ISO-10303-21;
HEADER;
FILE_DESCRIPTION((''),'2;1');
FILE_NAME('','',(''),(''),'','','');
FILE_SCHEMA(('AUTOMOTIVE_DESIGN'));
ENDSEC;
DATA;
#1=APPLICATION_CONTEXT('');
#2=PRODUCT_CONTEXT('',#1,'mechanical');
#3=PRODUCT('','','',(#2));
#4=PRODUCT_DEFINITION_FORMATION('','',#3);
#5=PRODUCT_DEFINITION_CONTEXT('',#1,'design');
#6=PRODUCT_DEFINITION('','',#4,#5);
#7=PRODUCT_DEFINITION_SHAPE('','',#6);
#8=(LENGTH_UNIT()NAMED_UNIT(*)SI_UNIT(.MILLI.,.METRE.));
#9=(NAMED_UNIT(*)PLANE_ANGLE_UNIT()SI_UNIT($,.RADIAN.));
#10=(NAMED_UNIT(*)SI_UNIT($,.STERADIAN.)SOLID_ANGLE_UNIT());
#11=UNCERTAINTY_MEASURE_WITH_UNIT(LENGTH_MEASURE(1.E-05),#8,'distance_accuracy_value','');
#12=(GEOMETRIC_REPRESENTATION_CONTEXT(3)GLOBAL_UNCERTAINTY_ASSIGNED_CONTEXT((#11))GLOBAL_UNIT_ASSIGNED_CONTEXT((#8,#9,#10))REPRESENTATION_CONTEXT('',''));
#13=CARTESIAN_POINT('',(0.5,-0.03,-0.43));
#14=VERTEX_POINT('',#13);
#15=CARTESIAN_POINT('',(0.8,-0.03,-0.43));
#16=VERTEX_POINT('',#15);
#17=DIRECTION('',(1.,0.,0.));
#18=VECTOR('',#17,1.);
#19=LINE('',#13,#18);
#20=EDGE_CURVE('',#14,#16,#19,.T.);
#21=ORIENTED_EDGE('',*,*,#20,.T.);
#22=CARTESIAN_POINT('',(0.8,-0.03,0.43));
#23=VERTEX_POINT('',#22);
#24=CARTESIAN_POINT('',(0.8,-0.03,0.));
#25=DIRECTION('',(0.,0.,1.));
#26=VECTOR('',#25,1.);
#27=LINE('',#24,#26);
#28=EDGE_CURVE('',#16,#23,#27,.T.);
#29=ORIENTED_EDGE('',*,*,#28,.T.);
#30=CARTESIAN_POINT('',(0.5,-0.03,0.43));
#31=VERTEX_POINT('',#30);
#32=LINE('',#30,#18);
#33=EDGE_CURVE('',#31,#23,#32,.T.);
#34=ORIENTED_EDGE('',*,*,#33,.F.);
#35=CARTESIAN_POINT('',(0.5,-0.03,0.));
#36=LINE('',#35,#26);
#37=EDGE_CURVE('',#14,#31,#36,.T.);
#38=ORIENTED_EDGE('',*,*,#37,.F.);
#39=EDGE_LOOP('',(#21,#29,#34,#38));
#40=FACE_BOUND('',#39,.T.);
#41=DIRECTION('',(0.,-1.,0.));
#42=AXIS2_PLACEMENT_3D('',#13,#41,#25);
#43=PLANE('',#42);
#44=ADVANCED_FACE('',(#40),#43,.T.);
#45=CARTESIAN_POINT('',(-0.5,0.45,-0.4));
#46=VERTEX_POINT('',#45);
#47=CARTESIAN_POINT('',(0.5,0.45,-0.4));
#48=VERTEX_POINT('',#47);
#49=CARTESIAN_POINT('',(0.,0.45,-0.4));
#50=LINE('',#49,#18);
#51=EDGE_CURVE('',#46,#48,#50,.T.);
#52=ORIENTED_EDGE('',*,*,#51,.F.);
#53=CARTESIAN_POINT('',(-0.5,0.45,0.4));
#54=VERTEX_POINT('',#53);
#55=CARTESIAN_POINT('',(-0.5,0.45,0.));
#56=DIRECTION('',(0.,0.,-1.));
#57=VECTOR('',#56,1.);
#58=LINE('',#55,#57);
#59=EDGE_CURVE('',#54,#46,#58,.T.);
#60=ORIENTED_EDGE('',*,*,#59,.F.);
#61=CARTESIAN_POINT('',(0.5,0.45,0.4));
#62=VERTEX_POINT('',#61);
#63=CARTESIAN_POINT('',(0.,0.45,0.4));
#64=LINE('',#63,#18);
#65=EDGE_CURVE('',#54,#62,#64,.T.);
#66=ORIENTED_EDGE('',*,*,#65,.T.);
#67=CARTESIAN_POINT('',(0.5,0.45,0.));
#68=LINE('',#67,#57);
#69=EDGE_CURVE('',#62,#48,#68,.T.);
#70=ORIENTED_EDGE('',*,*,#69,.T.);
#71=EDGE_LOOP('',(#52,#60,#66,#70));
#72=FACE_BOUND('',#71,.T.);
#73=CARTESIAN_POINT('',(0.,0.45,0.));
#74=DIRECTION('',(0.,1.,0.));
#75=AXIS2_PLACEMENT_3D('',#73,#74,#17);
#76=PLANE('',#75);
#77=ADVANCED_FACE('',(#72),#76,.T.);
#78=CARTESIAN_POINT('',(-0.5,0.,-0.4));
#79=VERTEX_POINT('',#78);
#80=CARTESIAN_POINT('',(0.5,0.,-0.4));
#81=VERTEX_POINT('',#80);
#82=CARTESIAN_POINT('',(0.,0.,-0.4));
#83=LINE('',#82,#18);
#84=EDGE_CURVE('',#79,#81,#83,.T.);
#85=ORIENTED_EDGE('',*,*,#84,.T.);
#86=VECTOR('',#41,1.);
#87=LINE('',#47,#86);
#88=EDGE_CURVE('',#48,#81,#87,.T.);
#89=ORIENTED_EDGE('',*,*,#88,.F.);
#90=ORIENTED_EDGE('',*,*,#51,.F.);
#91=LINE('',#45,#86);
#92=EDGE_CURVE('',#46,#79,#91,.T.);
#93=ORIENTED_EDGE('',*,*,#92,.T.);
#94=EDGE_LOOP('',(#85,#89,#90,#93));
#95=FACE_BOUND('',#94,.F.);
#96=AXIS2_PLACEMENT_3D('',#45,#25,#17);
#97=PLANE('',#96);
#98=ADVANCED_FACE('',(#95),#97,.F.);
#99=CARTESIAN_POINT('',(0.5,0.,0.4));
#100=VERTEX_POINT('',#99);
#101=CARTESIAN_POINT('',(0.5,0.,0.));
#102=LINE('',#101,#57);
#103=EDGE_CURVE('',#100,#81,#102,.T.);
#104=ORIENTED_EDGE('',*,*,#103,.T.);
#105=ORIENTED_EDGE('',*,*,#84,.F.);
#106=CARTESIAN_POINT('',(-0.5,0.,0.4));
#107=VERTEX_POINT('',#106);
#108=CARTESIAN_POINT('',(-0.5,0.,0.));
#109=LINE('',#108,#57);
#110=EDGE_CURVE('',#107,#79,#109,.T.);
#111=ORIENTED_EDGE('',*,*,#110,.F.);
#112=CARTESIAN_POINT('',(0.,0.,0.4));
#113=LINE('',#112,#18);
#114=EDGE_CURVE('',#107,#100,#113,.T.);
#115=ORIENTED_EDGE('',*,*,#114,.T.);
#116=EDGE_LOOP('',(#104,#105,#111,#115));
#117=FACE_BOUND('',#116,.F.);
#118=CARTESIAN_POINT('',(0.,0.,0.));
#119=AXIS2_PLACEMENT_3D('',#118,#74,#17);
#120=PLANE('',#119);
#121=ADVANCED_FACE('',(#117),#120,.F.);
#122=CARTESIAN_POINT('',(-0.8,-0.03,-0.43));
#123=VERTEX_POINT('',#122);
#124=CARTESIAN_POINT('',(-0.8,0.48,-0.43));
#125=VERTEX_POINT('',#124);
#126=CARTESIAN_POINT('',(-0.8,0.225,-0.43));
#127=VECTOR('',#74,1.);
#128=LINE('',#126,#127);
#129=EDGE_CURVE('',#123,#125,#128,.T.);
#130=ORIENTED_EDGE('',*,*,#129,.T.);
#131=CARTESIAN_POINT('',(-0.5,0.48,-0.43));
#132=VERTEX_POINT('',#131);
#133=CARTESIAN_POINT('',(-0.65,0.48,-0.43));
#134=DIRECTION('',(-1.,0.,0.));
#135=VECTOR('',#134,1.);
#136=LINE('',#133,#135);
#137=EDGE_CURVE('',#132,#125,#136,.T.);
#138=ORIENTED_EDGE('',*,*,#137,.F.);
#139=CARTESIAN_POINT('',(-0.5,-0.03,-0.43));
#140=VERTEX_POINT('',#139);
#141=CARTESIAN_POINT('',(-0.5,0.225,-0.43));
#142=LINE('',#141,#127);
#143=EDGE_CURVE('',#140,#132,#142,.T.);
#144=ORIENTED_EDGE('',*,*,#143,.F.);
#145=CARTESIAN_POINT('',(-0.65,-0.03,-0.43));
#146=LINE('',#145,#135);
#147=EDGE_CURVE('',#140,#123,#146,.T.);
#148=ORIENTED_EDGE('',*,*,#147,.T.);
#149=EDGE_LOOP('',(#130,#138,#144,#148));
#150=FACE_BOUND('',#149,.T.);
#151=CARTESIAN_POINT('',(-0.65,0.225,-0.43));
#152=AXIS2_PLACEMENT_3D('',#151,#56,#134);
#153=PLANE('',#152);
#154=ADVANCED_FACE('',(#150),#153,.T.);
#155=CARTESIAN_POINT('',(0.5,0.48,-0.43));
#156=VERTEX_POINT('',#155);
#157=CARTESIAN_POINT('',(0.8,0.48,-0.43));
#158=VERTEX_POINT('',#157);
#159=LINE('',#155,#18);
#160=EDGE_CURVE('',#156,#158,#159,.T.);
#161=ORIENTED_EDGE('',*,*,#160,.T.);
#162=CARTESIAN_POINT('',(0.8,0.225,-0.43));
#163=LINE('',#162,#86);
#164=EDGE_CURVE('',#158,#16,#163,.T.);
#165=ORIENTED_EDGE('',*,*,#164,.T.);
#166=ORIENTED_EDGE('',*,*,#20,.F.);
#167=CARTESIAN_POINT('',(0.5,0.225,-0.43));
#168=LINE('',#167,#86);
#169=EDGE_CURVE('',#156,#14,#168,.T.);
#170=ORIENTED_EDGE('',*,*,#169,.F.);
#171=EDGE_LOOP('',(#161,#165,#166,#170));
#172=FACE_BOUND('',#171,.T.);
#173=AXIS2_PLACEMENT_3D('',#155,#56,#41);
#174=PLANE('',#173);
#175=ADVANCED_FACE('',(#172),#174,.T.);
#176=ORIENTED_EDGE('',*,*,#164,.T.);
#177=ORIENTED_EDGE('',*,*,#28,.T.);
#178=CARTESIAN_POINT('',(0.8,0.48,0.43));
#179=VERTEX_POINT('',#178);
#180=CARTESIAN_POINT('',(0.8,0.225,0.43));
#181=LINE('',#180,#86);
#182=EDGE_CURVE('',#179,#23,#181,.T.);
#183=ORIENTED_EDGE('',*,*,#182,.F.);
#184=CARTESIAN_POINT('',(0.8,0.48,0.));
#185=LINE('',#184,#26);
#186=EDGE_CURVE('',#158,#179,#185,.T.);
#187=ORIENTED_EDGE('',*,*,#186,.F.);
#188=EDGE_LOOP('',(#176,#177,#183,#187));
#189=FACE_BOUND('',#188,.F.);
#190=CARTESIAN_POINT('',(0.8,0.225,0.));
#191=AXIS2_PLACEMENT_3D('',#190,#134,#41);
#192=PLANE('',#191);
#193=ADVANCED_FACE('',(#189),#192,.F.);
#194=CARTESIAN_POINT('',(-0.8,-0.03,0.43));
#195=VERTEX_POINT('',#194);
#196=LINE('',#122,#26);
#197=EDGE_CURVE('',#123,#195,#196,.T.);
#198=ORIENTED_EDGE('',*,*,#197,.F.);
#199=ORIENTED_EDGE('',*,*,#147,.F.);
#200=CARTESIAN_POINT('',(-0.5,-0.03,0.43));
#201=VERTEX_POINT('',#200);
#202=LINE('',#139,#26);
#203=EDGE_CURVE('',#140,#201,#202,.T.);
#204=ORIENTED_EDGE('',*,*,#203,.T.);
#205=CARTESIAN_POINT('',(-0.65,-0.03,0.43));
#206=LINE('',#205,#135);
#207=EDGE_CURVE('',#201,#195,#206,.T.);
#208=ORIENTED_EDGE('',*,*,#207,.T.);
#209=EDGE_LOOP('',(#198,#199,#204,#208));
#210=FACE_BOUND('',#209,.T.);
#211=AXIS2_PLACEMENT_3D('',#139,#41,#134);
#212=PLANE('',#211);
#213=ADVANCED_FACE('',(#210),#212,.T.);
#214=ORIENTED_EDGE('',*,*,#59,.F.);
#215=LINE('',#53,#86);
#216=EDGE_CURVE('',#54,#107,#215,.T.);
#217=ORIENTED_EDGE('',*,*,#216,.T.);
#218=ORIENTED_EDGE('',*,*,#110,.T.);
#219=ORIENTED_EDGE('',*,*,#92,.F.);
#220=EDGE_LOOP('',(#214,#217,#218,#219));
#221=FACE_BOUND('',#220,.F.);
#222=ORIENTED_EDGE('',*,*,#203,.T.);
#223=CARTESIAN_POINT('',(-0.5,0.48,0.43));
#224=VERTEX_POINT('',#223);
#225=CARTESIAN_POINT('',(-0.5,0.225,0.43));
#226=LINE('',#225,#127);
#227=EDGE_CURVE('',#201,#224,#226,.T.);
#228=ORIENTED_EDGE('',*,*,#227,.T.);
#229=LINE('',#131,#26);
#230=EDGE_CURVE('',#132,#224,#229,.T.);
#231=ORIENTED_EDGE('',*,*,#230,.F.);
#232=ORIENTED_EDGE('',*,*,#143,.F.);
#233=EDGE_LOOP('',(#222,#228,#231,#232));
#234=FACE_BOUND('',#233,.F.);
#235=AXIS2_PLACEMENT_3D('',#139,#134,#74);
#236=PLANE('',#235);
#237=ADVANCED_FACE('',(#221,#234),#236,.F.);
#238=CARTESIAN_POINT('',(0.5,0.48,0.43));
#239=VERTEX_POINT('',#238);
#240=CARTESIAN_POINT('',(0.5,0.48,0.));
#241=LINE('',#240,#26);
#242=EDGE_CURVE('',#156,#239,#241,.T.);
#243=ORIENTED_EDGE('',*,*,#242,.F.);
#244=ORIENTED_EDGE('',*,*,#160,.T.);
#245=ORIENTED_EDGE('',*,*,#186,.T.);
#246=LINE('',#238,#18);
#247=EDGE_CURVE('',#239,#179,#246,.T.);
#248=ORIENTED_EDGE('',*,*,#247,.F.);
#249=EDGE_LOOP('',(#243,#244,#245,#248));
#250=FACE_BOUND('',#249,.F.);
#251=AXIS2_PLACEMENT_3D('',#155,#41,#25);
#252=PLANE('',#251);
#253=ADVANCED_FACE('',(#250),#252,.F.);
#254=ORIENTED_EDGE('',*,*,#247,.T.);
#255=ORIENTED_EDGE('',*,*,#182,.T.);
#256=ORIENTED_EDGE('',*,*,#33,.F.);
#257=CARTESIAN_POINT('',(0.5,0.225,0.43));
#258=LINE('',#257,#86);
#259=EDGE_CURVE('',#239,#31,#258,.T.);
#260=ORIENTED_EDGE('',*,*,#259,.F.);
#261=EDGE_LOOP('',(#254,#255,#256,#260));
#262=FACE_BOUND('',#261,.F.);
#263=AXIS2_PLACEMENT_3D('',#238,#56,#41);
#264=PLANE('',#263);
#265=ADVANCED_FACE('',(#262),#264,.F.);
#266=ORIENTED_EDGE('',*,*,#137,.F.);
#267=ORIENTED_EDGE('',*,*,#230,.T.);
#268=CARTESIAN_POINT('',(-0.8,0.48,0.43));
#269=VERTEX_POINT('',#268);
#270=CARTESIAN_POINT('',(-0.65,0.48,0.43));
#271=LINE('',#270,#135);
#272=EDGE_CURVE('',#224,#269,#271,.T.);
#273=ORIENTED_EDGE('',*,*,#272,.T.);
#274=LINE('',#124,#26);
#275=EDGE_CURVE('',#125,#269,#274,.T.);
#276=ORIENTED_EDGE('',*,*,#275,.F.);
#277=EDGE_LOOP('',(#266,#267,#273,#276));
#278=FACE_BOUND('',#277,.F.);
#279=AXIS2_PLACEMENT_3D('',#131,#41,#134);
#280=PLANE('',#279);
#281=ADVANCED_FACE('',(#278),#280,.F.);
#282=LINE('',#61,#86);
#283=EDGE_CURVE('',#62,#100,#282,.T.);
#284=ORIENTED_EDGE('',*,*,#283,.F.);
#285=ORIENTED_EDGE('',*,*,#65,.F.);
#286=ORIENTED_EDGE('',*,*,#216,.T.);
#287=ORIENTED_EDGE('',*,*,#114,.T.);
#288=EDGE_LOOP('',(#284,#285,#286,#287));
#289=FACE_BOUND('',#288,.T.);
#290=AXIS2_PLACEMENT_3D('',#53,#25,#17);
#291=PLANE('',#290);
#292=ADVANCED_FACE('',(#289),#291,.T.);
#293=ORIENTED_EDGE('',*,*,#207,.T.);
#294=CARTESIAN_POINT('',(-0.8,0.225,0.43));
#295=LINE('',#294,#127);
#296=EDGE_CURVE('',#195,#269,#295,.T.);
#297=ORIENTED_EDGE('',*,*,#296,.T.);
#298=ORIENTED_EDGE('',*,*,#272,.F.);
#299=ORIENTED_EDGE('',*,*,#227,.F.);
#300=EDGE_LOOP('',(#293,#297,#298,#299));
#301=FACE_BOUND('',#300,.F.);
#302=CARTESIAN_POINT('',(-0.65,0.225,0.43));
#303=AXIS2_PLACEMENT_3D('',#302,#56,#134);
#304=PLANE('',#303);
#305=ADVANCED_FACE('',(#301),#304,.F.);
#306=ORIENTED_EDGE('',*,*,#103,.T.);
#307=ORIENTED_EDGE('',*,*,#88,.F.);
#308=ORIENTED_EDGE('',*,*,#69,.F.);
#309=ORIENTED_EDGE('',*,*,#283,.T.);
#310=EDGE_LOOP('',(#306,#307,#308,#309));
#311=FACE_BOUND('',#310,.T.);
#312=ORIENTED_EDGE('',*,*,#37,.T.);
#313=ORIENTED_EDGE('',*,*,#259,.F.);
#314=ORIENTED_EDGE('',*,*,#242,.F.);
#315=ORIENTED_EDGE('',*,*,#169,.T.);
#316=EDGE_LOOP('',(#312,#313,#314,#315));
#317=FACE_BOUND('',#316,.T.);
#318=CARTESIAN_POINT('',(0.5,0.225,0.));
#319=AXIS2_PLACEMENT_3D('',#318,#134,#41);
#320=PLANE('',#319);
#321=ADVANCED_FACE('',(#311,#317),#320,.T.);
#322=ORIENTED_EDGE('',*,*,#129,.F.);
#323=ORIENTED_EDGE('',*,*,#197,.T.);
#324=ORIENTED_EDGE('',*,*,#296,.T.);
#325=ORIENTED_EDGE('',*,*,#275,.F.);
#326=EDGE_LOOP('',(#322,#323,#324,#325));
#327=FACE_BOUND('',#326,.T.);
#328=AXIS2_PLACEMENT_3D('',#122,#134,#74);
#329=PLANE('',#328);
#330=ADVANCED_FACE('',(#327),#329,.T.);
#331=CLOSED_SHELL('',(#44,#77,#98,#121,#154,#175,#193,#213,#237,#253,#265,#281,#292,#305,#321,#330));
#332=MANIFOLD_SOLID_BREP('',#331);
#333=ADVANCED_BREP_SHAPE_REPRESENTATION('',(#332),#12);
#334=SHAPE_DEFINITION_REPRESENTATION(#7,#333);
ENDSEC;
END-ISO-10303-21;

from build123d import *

# Parameters (mm, degrees)
SKETCH1_W           = 1
SKETCH1_H           = 0.8
BOSS_EXTRUDE1_DEPTH = 0.45
SKETCH2_W           = 0.3
SKETCH2_H           = 0.51
BOSS_EXTRUDE2_DEPTH = 0.86
SKETCH3_W           = 0.51
SKETCH3_H           = 0.86
BOSS_EXTRUDE3_DEPTH = 0.3


with BuildPart() as part:
    # Sketch1 → Boss-Extrude1 (new body)
    with BuildSketch(Plane(origin=(0, 0.45, 0), x_dir=(1, 0, 0), z_dir=(0, 1, 0))):
        Rectangle(SKETCH1_W, SKETCH1_H)
    extrude(amount=-BOSS_EXTRUDE1_DEPTH)

    # Sketch2 → Boss-Extrude2 (add)
    with BuildSketch(Plane(origin=(0, 0, -0.43), x_dir=(-1, 0, 0), z_dir=(0, 0, -1))):
        with Locations((0.65, 0.225)):
            Rectangle(SKETCH2_W, SKETCH2_H)
    extrude(amount=-BOSS_EXTRUDE2_DEPTH)

    # Sketch3 → Boss-Extrude3 (add)
    with BuildSketch(Plane(origin=(0.5, 0, 0), x_dir=(0, -1, 0), z_dir=(-1, 0, 0))):
        with Locations((-0.225, 0)):
            Rectangle(SKETCH3_W, SKETCH3_H)
    extrude(amount=-BOSS_EXTRUDE3_DEPTH)


solid = part.part
